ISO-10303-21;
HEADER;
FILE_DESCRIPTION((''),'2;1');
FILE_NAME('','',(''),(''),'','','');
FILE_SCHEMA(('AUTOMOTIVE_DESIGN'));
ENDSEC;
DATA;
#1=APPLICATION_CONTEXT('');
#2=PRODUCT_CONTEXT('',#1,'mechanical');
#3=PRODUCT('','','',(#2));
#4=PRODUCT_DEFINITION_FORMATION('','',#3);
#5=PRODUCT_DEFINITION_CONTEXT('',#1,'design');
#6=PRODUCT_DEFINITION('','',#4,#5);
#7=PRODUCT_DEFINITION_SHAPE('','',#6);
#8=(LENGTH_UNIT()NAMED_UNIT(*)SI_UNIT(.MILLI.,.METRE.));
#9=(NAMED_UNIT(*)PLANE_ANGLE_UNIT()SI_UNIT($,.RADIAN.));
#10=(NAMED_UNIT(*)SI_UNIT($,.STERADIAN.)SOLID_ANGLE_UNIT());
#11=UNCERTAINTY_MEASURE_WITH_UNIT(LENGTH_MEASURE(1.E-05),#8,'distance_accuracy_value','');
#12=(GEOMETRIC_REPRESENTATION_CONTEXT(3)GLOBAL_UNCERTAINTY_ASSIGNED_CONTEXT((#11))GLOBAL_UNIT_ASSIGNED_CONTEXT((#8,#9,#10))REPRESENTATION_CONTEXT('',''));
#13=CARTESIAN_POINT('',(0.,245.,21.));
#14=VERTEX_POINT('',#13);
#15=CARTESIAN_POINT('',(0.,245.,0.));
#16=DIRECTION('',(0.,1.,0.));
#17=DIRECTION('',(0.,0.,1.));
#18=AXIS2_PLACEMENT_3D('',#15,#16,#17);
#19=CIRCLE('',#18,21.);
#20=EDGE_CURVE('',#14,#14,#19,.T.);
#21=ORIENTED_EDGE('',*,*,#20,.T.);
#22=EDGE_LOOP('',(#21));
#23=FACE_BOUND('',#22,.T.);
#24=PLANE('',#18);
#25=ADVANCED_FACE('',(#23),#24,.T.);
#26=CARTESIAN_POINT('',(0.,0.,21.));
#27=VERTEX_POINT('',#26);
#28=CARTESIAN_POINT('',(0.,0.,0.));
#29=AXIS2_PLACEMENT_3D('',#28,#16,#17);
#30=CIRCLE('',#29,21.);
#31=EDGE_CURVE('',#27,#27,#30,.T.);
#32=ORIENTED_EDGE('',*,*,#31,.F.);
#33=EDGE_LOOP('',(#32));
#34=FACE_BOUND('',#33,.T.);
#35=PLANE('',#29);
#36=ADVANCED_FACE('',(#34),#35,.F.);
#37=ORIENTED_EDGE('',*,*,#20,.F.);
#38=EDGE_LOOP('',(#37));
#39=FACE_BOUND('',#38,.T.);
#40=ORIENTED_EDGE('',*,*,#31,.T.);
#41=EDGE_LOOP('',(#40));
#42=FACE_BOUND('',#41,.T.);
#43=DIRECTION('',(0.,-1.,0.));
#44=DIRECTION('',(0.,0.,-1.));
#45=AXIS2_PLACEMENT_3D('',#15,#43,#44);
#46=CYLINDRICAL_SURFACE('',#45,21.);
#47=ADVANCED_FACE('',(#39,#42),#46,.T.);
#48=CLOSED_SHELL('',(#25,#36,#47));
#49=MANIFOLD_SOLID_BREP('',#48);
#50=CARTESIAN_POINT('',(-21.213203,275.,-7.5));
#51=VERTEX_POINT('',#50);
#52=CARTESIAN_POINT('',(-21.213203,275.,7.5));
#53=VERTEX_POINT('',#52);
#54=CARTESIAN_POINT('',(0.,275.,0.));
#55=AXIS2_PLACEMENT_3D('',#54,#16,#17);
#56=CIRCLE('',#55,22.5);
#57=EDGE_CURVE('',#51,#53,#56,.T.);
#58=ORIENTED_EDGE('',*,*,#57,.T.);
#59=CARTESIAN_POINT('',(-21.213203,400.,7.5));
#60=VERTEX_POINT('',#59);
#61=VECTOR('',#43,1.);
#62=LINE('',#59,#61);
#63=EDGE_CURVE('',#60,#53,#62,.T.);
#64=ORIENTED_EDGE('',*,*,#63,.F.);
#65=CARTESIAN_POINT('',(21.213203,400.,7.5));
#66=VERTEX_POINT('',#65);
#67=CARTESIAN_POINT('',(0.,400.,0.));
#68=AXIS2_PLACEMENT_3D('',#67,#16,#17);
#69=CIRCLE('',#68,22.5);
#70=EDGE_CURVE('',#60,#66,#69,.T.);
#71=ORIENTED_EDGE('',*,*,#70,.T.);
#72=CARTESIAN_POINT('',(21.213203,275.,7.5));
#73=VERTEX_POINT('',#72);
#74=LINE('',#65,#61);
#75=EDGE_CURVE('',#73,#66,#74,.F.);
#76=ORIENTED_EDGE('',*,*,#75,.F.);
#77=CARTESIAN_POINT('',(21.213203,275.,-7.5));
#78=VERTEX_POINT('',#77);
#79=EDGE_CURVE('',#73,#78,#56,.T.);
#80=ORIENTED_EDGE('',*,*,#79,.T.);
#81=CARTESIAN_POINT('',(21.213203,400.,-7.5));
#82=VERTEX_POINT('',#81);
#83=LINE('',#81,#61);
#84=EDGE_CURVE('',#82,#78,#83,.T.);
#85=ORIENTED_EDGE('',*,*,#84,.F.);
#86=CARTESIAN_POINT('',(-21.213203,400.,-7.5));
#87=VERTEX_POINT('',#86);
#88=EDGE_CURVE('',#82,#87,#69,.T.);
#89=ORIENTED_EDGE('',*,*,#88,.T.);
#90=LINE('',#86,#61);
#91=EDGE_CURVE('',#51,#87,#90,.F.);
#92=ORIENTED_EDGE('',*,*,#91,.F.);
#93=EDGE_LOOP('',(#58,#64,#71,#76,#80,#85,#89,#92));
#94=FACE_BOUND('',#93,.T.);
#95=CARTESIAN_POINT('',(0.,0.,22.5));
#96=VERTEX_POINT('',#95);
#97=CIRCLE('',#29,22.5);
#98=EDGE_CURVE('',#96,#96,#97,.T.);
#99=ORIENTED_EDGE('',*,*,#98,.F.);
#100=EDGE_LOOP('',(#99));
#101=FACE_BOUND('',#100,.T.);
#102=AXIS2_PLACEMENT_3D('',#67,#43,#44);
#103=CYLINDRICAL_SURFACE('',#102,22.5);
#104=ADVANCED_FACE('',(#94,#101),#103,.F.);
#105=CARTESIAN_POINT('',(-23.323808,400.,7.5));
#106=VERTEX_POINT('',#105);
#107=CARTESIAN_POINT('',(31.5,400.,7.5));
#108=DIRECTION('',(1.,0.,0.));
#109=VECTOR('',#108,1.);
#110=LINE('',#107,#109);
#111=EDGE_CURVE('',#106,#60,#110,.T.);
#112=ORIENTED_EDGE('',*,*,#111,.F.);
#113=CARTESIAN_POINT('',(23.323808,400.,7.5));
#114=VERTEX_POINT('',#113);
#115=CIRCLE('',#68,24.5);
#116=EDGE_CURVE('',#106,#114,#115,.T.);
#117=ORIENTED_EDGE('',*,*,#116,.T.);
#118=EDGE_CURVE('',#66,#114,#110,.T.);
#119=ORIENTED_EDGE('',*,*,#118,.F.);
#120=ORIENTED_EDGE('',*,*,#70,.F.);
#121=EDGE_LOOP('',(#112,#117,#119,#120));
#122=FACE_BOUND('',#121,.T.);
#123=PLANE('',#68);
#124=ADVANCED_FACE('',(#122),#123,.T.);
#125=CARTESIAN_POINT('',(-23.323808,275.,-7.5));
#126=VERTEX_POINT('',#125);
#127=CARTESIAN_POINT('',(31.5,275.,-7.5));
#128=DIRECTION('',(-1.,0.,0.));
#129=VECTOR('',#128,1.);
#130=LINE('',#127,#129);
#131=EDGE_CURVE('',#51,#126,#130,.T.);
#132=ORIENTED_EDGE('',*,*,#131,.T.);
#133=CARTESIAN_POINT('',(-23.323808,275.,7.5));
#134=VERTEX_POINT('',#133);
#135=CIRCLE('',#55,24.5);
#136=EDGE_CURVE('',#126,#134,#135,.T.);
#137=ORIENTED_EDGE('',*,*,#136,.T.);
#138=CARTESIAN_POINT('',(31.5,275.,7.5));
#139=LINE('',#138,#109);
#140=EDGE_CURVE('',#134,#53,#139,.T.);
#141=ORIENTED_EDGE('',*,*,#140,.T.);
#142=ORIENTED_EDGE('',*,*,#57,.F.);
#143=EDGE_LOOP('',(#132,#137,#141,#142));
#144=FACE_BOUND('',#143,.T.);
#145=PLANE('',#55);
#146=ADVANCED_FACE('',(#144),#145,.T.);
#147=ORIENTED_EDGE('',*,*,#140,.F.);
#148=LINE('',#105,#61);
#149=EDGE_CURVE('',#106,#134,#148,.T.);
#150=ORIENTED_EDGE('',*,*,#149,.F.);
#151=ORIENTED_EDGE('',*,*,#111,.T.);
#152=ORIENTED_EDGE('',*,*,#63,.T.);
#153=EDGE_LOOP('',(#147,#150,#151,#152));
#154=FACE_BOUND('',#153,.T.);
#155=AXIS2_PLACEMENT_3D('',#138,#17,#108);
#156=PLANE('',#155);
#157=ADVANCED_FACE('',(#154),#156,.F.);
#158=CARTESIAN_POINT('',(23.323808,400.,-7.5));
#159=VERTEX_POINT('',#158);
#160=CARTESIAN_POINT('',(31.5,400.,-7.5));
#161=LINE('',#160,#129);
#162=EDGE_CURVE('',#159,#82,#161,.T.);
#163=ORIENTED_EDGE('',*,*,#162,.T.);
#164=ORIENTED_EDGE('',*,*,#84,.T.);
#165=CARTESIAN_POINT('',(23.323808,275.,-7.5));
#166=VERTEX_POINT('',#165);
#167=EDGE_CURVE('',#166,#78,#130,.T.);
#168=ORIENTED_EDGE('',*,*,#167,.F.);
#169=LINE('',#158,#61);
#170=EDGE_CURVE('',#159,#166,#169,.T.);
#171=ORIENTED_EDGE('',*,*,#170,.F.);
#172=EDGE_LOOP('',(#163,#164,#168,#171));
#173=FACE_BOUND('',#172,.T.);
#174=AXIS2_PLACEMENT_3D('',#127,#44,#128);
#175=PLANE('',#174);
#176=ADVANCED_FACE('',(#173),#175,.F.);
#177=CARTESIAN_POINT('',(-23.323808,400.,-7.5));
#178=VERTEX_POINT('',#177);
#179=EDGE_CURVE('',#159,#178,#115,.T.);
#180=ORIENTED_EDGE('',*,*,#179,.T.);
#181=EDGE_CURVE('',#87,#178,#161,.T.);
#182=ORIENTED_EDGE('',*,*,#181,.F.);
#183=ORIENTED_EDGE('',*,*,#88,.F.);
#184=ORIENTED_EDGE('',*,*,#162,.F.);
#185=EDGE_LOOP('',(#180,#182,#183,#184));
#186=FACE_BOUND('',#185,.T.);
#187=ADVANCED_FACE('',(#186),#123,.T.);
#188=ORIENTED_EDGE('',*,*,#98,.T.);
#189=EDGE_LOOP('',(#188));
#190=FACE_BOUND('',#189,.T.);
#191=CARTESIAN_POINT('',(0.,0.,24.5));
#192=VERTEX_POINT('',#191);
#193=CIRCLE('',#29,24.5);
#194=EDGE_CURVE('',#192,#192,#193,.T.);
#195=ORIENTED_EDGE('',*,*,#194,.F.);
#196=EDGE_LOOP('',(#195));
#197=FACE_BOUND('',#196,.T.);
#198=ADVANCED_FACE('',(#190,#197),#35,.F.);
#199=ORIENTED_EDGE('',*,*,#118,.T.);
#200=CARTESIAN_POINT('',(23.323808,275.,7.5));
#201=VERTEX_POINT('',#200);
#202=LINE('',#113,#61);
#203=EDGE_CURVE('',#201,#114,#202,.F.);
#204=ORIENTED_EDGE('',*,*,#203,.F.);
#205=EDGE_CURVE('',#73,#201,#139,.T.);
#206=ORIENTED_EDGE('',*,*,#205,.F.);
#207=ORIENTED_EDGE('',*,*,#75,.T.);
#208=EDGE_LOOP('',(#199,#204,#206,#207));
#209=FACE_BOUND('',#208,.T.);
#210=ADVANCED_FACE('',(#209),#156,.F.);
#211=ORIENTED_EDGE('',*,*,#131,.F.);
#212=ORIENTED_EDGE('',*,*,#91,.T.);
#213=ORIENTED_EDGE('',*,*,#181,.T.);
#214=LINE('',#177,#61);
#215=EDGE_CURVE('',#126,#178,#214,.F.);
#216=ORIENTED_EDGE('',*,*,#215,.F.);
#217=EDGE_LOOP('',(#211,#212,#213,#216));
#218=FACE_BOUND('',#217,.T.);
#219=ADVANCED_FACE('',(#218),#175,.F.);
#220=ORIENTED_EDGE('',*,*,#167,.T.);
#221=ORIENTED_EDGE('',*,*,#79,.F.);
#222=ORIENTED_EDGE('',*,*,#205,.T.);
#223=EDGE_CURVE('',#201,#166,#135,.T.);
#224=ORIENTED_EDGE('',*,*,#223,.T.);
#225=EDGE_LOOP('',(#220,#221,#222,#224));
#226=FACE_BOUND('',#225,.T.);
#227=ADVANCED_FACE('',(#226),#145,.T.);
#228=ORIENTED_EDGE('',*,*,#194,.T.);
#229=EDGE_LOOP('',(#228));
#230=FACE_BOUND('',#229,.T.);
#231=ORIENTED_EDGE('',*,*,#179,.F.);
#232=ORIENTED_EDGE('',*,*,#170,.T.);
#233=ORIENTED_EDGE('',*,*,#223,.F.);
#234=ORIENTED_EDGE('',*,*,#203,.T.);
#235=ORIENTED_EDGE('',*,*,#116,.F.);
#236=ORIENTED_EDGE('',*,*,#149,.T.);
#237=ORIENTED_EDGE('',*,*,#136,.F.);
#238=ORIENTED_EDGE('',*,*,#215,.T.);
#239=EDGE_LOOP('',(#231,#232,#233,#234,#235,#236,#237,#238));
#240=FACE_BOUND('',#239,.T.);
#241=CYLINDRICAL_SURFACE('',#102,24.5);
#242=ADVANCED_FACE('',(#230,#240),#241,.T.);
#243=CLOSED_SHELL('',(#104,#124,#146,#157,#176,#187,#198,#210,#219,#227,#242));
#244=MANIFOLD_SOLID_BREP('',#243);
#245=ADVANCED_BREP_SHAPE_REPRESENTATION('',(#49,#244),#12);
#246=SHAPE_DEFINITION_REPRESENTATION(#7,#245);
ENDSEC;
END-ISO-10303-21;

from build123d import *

# Parameters (mm, degrees)
SKETCH1_R           = 21
BOSS_EXTRUDE1_DEPTH = 245
SKETCH2_R           = 24.5
SKETCH2_R_2         = 22.5
BOSS_EXTRUDE2_DEPTH = 400
SKETCH3_W           = 63
SKETCH3_H           = 15
CUT_EXTRUDE1_DEPTH  = 125


with BuildPart() as part:
    # Sketch1 → Boss-Extrude1 (new body)
    with BuildSketch(Plane(origin=(0, 0, 0), x_dir=(1, 0, 0), z_dir=(0, 1, 0))):
        Circle(SKETCH1_R)
    extrude(amount=BOSS_EXTRUDE1_DEPTH)


with BuildPart() as body_2:
    # Sketch2 → Boss-Extrude2 (new body)
    with BuildSketch(Plane(origin=(0, 0, 0), x_dir=(1, 0, 0), z_dir=(0, 1, 0))):
        Circle(SKETCH2_R)
        Circle(SKETCH2_R_2, mode=Mode.SUBTRACT)
    extrude(amount=BOSS_EXTRUDE2_DEPTH)

    # Sketch3 → Cut-Extrude1 (cut)
    with BuildSketch(Plane(origin=(0, 400, 0), x_dir=(1, 0, 0), z_dir=(0, 1, 0))):
        Rectangle(SKETCH3_W, SKETCH3_H)
    extrude(amount=-CUT_EXTRUDE1_DEPTH, mode=Mode.SUBTRACT)


solid = Compound([part.part, body_2.part])
